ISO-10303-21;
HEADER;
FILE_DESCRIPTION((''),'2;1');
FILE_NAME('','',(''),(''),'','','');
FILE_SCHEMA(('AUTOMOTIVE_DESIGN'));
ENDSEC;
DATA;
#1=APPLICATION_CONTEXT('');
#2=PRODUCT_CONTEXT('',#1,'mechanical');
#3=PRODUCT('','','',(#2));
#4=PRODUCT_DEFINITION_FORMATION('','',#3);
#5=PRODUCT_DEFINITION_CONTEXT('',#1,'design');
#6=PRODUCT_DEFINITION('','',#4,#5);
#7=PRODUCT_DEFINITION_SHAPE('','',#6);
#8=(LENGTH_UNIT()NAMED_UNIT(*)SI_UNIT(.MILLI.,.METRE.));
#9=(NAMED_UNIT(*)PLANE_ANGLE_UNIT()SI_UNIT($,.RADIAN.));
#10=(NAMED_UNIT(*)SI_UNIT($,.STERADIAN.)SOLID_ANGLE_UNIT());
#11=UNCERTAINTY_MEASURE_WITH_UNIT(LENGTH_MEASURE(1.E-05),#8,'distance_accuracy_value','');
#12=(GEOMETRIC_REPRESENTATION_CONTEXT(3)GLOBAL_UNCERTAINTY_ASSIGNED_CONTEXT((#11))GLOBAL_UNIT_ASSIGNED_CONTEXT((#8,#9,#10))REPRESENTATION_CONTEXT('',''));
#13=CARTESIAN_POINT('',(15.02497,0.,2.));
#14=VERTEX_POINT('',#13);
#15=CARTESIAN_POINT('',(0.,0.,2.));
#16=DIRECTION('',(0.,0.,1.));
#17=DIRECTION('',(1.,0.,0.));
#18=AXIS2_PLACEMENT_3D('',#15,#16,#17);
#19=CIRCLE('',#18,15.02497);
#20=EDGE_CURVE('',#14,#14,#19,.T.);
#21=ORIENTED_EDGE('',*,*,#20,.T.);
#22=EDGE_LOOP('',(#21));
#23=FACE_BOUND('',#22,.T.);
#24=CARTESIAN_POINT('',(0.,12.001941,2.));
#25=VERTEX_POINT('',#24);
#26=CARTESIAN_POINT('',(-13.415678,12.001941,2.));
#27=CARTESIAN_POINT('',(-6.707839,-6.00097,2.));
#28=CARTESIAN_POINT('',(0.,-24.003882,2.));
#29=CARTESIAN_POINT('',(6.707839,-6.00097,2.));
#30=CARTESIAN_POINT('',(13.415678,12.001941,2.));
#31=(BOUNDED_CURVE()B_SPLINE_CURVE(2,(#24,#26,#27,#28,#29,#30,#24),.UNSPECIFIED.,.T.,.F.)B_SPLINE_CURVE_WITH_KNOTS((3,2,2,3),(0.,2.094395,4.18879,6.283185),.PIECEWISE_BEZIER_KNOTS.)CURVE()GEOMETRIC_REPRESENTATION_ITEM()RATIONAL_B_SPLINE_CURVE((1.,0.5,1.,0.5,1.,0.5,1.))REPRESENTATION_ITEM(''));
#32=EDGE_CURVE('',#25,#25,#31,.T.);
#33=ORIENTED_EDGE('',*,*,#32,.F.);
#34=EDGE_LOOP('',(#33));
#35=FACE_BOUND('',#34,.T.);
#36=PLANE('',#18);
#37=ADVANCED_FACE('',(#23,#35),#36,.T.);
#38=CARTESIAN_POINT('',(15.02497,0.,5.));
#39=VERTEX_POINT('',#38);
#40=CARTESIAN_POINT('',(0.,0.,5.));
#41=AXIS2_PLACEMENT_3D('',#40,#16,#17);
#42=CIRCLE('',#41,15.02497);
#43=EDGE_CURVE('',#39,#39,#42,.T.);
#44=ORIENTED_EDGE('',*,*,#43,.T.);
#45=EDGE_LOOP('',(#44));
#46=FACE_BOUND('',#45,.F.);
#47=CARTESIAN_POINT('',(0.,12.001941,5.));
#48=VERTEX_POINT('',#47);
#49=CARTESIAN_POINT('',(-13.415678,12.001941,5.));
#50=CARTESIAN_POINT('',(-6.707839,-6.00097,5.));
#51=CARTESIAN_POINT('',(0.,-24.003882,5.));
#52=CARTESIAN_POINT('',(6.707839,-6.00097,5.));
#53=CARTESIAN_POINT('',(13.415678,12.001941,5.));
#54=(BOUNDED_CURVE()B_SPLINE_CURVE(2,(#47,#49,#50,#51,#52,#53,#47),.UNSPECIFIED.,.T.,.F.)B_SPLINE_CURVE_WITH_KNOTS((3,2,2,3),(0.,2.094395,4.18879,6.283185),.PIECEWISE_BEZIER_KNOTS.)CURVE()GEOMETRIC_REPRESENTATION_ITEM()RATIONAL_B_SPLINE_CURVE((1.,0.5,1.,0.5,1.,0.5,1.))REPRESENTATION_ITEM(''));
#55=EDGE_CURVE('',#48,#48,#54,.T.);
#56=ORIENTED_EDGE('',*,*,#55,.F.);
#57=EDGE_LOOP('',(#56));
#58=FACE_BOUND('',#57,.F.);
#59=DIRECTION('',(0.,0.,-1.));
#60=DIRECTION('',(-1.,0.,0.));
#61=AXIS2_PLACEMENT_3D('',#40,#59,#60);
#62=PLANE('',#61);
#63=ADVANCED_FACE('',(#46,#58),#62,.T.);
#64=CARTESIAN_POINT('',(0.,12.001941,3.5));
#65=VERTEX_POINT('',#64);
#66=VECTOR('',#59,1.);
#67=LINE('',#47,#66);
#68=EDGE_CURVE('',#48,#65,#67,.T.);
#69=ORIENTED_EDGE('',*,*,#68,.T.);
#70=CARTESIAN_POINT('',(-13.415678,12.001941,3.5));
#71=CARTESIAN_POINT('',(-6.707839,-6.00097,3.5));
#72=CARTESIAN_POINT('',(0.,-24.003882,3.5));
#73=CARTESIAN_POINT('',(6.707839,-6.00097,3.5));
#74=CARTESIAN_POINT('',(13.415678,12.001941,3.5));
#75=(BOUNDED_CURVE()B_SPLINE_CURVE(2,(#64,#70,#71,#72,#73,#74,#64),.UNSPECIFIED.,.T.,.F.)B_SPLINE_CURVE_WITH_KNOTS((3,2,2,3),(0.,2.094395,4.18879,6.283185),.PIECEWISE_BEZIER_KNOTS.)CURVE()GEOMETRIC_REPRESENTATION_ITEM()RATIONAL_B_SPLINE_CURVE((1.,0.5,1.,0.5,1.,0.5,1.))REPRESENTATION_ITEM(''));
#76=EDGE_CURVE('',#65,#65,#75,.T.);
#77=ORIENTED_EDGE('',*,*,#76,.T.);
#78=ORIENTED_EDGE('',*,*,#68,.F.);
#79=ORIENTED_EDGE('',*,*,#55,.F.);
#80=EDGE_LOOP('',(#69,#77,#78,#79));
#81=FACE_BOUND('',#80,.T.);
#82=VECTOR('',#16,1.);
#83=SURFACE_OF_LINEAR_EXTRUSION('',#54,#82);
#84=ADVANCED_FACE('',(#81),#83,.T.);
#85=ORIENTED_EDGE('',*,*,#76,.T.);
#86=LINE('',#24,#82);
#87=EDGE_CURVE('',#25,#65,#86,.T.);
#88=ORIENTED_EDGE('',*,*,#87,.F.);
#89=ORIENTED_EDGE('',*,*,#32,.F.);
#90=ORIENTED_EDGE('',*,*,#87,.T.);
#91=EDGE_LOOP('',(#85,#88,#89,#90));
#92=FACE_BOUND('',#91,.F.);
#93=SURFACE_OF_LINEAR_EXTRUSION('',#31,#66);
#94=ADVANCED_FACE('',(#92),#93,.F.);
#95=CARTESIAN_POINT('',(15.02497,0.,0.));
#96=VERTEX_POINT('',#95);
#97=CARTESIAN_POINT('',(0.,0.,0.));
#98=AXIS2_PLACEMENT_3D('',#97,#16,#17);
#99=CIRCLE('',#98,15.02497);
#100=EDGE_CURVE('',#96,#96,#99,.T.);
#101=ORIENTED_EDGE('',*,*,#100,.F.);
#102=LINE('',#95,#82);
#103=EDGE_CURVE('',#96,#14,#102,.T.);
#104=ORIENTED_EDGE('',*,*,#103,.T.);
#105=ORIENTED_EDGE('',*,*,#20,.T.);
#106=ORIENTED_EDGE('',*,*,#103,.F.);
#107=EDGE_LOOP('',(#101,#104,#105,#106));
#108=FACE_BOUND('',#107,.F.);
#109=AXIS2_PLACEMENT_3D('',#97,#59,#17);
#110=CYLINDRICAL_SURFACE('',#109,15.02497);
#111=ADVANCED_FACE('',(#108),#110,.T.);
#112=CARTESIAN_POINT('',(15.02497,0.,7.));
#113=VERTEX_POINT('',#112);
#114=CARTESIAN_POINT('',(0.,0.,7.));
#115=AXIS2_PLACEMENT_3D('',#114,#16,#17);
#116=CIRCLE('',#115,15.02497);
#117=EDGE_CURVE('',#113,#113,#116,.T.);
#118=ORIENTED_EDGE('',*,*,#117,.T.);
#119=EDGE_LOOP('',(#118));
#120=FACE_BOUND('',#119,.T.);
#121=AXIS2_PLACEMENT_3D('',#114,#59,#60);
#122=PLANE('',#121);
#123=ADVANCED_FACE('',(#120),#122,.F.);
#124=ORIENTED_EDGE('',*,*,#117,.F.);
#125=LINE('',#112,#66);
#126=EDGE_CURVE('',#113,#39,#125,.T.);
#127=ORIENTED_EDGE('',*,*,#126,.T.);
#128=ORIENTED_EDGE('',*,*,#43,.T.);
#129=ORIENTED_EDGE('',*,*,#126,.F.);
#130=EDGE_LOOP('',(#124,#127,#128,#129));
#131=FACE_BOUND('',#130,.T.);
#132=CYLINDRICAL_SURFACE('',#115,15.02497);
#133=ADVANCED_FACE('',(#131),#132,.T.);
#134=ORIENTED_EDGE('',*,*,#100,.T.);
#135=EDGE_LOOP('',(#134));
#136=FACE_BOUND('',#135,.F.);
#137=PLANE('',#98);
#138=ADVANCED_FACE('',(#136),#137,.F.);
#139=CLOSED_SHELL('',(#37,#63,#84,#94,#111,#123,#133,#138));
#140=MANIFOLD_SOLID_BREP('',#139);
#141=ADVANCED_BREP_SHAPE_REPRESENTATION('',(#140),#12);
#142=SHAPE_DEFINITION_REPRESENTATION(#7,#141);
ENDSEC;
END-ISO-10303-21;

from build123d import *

# Parameters (mm, degrees)
F0_R     = 15.02497
F1_DEPTH = 2
F3_DEPTH = 1.5


with BuildPart() as f1:
    # F0 (on Top) → F1 (new body)
    with BuildSketch(Plane.XY):
        Circle(F0_R)
    extrude(amount=F1_DEPTH)

    # F2 (on face) → F3 (join)
    with BuildSketch(Plane.XY.offset(2)):
        with BuildLine():
            add(Edge.make_bspline(
                [(0, 12.001941), (-13.415678, 12.001941), (-6.707839, -6.00097), (0, -24.003882), (6.707839, -6.00097), (13.415678, 12.001941), (0, 12.001941)],
                knots=[0, 0, 0, 2.094395, 2.094395, 4.18879, 4.18879, 6.283185, 6.283185, 6.283185], degree=2, weights=[1, 0.5, 1, 0.5, 1, 0.5, 1]))
        make_face()
    extrude(amount=F3_DEPTH)

    # F5: F1 across plane


with BuildPart() as f1_1:
    add(f1.part)
    add(f1.part.mirror(Plane.XY.offset(3.5)))


solid = f1_1.part
